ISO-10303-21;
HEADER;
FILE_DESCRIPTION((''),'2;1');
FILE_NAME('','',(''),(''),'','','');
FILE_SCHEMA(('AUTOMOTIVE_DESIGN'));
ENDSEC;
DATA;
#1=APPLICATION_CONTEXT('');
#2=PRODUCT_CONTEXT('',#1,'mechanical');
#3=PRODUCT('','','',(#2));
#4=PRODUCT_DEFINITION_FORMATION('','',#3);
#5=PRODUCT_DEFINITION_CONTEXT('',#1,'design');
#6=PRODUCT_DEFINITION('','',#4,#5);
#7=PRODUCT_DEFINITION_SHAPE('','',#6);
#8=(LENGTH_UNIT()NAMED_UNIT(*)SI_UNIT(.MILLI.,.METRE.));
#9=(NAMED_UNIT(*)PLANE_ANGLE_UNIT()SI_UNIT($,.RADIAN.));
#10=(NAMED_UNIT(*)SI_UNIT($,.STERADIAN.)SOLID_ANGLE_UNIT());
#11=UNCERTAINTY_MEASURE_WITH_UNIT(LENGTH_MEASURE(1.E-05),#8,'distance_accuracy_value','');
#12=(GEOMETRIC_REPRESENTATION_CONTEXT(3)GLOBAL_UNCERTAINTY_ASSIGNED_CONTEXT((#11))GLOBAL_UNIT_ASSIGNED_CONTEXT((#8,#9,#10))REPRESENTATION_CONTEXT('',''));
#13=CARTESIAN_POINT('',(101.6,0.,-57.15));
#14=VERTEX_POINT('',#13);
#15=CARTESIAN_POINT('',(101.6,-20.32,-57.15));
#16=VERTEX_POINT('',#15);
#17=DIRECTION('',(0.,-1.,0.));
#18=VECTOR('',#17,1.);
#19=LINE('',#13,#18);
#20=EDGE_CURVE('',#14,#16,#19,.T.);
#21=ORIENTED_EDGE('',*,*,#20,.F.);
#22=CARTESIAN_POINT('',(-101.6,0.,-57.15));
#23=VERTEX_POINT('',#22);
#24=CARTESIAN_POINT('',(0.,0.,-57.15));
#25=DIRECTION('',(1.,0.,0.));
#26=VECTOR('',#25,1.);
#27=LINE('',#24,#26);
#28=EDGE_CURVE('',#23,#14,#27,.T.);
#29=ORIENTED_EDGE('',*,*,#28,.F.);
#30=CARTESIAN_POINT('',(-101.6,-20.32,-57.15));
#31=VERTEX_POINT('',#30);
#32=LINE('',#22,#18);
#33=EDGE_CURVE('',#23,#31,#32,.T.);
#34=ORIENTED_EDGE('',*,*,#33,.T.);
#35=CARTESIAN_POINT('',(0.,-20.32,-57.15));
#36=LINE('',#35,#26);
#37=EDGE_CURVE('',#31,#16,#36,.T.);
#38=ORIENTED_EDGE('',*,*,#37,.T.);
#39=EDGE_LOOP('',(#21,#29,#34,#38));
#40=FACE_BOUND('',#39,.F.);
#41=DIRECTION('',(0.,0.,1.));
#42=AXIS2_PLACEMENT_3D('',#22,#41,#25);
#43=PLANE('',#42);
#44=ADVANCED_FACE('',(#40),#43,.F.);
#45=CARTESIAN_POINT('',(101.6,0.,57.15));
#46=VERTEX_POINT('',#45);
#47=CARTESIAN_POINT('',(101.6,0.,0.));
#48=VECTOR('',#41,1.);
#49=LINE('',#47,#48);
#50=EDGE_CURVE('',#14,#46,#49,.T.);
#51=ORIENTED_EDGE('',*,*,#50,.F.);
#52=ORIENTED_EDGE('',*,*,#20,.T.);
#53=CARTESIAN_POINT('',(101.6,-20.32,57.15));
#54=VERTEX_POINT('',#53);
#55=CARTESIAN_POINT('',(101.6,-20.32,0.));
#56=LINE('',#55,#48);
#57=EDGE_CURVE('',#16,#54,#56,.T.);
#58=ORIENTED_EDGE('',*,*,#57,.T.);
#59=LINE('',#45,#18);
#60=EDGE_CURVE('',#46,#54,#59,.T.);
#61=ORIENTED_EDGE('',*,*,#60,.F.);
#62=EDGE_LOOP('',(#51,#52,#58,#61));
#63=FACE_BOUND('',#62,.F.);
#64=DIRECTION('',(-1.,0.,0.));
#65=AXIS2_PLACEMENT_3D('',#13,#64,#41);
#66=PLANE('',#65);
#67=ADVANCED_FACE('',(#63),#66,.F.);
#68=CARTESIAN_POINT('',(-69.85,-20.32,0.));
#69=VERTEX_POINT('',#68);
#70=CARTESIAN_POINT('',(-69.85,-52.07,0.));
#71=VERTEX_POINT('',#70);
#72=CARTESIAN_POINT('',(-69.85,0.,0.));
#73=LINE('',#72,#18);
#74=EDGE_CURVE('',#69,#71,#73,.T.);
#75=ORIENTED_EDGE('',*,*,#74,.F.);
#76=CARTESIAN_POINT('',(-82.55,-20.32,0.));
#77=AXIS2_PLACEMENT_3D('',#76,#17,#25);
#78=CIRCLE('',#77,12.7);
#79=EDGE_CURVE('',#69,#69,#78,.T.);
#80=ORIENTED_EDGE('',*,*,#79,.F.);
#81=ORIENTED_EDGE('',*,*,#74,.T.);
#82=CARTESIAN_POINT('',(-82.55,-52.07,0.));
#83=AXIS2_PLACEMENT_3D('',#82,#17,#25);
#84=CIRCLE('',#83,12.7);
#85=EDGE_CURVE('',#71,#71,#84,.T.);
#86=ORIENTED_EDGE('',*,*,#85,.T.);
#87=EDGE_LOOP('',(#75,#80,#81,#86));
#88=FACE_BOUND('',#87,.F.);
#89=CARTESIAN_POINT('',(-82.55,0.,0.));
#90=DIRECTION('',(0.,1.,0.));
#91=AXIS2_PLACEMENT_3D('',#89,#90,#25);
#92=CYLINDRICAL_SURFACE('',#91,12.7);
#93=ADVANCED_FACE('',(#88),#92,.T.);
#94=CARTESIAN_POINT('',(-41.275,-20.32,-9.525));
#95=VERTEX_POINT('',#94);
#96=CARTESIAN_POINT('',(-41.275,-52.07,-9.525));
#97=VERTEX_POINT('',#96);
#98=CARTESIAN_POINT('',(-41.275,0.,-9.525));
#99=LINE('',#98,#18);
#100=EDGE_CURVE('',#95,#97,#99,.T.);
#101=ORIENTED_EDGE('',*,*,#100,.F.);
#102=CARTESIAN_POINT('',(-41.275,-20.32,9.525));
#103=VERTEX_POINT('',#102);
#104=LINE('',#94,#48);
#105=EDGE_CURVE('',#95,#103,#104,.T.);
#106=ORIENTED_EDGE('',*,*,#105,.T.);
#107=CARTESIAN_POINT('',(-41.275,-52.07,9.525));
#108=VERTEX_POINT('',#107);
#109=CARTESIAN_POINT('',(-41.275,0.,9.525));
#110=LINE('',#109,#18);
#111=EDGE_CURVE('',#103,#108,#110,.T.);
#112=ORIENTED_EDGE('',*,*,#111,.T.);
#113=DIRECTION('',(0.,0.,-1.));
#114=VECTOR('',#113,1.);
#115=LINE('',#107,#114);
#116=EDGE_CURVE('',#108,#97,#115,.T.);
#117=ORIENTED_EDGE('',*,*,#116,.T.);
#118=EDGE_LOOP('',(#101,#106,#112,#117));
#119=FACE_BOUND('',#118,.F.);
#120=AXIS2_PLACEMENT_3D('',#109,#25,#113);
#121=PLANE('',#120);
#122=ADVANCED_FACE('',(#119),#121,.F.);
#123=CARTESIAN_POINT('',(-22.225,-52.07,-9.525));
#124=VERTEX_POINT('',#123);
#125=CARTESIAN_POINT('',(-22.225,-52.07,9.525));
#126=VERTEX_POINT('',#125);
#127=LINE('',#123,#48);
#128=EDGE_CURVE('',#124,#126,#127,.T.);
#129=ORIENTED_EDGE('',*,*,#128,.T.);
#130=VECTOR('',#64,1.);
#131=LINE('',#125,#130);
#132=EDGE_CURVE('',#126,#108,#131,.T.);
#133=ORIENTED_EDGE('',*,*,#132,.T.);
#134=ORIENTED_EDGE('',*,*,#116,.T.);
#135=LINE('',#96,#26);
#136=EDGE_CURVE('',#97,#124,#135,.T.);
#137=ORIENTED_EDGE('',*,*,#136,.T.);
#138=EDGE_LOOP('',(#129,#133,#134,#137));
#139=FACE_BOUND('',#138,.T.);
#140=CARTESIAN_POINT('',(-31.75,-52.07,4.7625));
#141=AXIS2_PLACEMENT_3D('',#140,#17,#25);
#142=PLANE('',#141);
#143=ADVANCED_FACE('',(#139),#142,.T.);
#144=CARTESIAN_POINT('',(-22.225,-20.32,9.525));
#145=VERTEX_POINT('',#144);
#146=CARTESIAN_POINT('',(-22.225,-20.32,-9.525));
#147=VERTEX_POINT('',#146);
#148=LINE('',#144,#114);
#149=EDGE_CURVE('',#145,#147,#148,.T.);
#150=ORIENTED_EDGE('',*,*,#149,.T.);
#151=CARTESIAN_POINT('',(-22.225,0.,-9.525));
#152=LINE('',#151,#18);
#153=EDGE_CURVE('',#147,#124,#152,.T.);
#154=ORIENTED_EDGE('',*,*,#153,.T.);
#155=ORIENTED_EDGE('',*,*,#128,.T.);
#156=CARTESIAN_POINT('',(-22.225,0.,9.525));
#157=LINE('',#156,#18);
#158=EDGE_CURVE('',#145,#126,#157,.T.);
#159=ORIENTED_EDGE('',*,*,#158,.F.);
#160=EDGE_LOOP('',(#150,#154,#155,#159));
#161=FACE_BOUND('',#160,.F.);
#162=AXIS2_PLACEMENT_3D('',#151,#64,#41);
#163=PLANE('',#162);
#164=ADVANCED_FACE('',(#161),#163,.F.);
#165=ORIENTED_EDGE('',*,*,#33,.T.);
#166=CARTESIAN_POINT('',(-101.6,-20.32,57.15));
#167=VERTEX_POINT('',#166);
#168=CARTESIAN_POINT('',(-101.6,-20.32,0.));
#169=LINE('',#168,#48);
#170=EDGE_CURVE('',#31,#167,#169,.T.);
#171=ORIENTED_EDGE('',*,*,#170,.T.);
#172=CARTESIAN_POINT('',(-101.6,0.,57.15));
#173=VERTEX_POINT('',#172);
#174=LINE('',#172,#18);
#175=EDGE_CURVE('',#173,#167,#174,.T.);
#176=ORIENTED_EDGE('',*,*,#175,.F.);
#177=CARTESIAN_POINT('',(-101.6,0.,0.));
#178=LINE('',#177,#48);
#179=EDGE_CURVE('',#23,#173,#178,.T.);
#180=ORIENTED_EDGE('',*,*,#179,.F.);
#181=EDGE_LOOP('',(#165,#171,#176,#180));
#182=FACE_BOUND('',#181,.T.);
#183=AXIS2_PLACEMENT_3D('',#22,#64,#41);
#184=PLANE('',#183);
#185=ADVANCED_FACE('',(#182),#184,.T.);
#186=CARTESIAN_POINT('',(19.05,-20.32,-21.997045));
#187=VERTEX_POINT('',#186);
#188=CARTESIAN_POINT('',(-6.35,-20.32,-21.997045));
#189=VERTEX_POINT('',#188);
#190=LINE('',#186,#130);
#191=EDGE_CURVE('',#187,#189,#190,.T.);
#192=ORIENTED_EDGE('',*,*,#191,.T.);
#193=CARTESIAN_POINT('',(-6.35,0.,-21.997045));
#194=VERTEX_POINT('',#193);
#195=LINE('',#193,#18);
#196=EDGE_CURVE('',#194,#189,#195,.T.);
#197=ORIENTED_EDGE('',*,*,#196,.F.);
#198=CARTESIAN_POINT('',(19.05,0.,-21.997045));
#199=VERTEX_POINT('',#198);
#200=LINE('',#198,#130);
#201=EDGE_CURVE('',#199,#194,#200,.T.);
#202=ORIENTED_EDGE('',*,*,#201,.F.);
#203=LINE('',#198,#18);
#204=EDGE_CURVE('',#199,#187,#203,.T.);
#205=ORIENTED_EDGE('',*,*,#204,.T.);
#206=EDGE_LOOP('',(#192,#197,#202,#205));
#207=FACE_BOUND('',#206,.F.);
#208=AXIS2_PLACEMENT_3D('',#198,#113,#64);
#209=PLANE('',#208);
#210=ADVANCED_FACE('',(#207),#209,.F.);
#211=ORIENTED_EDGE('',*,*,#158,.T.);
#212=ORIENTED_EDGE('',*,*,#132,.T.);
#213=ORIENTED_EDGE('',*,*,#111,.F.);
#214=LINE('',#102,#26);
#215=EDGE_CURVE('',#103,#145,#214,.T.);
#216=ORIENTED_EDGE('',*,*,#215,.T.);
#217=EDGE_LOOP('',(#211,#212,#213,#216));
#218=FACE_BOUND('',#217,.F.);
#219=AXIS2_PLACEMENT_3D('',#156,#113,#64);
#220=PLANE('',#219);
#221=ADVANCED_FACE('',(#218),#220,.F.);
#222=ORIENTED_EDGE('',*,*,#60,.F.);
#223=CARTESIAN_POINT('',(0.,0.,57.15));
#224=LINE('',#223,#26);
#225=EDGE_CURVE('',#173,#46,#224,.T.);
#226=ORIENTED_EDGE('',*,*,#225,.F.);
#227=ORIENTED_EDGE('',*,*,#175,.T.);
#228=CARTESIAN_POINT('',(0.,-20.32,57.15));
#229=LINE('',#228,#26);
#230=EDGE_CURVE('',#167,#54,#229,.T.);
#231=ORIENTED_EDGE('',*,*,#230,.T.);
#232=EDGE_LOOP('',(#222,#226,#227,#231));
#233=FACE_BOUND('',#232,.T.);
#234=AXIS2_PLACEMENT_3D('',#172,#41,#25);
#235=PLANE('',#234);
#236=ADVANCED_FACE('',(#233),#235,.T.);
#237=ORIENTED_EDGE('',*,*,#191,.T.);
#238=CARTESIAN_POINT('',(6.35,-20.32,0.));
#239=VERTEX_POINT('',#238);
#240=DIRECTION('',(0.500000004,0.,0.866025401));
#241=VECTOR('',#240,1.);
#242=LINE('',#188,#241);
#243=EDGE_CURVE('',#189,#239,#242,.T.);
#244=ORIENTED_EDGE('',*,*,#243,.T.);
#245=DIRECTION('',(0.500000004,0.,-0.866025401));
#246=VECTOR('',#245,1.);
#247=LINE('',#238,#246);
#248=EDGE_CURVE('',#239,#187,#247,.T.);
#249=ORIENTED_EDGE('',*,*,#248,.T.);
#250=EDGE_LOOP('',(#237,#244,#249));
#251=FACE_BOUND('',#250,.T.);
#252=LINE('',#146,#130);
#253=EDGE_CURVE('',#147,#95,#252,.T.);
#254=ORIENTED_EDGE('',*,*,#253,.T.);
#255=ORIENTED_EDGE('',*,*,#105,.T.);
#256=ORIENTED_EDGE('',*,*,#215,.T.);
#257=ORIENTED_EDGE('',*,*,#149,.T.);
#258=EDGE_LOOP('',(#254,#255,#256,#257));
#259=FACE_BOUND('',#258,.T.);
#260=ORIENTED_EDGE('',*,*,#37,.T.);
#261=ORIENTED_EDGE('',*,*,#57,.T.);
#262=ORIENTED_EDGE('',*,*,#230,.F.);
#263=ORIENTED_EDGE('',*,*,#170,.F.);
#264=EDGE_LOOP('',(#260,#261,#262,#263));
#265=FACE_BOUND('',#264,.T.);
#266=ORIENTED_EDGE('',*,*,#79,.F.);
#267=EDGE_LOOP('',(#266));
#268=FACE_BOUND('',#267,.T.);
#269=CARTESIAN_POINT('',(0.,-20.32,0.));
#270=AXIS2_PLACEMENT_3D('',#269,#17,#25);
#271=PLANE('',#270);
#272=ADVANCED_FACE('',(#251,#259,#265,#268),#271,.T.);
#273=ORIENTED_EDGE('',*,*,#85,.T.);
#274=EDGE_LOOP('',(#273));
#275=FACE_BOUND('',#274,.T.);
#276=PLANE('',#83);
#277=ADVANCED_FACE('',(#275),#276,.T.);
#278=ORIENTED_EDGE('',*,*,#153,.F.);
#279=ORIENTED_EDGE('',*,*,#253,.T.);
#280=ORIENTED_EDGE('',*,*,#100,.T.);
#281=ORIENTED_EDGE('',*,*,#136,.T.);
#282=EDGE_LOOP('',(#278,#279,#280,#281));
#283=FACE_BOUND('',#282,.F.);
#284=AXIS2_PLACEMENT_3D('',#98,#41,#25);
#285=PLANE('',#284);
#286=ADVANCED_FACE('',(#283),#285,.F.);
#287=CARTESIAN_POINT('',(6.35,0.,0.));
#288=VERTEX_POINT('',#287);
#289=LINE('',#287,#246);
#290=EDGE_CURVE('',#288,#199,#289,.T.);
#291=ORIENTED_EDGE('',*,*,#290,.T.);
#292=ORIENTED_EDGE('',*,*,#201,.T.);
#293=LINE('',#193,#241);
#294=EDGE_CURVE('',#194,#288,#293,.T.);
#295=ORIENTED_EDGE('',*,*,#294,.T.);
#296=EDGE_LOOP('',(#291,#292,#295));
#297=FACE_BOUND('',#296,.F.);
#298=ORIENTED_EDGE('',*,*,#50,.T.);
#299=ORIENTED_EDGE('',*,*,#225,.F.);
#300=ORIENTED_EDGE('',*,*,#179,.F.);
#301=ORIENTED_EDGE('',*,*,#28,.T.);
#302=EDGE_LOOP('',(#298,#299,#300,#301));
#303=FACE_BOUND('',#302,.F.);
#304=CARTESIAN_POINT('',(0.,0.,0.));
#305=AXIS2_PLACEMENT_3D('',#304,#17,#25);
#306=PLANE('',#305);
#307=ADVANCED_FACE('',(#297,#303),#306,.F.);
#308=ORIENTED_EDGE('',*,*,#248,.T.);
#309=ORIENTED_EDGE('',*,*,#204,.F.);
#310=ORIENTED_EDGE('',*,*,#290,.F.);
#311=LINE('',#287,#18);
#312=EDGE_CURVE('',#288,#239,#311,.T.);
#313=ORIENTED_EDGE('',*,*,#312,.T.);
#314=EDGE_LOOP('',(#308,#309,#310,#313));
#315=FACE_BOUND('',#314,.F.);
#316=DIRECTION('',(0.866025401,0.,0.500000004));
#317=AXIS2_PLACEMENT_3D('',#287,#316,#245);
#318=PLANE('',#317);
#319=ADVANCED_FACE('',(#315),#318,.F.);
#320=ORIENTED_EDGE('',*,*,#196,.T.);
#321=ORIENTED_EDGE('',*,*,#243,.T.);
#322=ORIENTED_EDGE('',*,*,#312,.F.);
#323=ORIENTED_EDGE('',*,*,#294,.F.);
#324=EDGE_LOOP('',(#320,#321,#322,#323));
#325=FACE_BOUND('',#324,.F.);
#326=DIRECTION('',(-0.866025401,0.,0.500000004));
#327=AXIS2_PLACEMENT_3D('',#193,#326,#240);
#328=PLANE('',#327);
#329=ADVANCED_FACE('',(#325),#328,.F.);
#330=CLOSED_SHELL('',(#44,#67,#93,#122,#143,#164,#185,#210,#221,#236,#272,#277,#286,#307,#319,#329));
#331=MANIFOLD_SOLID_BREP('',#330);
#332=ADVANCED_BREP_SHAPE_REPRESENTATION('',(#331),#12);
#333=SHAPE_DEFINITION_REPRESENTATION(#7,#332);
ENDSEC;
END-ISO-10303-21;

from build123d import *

# Parameters (mm, degrees)
F0_W     = 203.2
F0_H     = 114.3
F0_R     = 12.7
F1_DEPTH = 20.32
F2_DEPTH = 52.07


with BuildPart() as f1:
    # F0 (on Front) → F1 (new body)
    with BuildSketch(Plane.XZ):
        Rectangle(F0_W, F0_H)
        Polygon((-6.35, -21.997045), (6.35, 0), (19.05, -21.997045), align=None, mode=Mode.SUBTRACT)
        with Locations((-82.55, 0)):
            Circle(F0_R, mode=Mode.SUBTRACT)
        Polygon((-22.225, 9.525), (-22.225, 0), (-22.225, -9.525), (-41.275, -9.525), (-41.275, 0), (-41.275, 9.525), align=None, mode=Mode.SUBTRACT)
    extrude(amount=F1_DEPTH)

    # F0 (on Front) → F2 (join)
    with BuildSketch(Plane.XZ):
        with Locations((-82.55, 0)):
            Circle(F0_R)
        Polygon((-31.75, 0), (-22.225, 0), (-22.225, 9.525), (-41.275, 9.525), (-41.275, 0), align=None)
        Polygon((-22.225, -9.525), (-22.225, 0), (-31.75, 0), (-41.275, 0), (-41.275, -9.525), align=None)
    extrude(amount=F2_DEPTH)


solid = f1.part
